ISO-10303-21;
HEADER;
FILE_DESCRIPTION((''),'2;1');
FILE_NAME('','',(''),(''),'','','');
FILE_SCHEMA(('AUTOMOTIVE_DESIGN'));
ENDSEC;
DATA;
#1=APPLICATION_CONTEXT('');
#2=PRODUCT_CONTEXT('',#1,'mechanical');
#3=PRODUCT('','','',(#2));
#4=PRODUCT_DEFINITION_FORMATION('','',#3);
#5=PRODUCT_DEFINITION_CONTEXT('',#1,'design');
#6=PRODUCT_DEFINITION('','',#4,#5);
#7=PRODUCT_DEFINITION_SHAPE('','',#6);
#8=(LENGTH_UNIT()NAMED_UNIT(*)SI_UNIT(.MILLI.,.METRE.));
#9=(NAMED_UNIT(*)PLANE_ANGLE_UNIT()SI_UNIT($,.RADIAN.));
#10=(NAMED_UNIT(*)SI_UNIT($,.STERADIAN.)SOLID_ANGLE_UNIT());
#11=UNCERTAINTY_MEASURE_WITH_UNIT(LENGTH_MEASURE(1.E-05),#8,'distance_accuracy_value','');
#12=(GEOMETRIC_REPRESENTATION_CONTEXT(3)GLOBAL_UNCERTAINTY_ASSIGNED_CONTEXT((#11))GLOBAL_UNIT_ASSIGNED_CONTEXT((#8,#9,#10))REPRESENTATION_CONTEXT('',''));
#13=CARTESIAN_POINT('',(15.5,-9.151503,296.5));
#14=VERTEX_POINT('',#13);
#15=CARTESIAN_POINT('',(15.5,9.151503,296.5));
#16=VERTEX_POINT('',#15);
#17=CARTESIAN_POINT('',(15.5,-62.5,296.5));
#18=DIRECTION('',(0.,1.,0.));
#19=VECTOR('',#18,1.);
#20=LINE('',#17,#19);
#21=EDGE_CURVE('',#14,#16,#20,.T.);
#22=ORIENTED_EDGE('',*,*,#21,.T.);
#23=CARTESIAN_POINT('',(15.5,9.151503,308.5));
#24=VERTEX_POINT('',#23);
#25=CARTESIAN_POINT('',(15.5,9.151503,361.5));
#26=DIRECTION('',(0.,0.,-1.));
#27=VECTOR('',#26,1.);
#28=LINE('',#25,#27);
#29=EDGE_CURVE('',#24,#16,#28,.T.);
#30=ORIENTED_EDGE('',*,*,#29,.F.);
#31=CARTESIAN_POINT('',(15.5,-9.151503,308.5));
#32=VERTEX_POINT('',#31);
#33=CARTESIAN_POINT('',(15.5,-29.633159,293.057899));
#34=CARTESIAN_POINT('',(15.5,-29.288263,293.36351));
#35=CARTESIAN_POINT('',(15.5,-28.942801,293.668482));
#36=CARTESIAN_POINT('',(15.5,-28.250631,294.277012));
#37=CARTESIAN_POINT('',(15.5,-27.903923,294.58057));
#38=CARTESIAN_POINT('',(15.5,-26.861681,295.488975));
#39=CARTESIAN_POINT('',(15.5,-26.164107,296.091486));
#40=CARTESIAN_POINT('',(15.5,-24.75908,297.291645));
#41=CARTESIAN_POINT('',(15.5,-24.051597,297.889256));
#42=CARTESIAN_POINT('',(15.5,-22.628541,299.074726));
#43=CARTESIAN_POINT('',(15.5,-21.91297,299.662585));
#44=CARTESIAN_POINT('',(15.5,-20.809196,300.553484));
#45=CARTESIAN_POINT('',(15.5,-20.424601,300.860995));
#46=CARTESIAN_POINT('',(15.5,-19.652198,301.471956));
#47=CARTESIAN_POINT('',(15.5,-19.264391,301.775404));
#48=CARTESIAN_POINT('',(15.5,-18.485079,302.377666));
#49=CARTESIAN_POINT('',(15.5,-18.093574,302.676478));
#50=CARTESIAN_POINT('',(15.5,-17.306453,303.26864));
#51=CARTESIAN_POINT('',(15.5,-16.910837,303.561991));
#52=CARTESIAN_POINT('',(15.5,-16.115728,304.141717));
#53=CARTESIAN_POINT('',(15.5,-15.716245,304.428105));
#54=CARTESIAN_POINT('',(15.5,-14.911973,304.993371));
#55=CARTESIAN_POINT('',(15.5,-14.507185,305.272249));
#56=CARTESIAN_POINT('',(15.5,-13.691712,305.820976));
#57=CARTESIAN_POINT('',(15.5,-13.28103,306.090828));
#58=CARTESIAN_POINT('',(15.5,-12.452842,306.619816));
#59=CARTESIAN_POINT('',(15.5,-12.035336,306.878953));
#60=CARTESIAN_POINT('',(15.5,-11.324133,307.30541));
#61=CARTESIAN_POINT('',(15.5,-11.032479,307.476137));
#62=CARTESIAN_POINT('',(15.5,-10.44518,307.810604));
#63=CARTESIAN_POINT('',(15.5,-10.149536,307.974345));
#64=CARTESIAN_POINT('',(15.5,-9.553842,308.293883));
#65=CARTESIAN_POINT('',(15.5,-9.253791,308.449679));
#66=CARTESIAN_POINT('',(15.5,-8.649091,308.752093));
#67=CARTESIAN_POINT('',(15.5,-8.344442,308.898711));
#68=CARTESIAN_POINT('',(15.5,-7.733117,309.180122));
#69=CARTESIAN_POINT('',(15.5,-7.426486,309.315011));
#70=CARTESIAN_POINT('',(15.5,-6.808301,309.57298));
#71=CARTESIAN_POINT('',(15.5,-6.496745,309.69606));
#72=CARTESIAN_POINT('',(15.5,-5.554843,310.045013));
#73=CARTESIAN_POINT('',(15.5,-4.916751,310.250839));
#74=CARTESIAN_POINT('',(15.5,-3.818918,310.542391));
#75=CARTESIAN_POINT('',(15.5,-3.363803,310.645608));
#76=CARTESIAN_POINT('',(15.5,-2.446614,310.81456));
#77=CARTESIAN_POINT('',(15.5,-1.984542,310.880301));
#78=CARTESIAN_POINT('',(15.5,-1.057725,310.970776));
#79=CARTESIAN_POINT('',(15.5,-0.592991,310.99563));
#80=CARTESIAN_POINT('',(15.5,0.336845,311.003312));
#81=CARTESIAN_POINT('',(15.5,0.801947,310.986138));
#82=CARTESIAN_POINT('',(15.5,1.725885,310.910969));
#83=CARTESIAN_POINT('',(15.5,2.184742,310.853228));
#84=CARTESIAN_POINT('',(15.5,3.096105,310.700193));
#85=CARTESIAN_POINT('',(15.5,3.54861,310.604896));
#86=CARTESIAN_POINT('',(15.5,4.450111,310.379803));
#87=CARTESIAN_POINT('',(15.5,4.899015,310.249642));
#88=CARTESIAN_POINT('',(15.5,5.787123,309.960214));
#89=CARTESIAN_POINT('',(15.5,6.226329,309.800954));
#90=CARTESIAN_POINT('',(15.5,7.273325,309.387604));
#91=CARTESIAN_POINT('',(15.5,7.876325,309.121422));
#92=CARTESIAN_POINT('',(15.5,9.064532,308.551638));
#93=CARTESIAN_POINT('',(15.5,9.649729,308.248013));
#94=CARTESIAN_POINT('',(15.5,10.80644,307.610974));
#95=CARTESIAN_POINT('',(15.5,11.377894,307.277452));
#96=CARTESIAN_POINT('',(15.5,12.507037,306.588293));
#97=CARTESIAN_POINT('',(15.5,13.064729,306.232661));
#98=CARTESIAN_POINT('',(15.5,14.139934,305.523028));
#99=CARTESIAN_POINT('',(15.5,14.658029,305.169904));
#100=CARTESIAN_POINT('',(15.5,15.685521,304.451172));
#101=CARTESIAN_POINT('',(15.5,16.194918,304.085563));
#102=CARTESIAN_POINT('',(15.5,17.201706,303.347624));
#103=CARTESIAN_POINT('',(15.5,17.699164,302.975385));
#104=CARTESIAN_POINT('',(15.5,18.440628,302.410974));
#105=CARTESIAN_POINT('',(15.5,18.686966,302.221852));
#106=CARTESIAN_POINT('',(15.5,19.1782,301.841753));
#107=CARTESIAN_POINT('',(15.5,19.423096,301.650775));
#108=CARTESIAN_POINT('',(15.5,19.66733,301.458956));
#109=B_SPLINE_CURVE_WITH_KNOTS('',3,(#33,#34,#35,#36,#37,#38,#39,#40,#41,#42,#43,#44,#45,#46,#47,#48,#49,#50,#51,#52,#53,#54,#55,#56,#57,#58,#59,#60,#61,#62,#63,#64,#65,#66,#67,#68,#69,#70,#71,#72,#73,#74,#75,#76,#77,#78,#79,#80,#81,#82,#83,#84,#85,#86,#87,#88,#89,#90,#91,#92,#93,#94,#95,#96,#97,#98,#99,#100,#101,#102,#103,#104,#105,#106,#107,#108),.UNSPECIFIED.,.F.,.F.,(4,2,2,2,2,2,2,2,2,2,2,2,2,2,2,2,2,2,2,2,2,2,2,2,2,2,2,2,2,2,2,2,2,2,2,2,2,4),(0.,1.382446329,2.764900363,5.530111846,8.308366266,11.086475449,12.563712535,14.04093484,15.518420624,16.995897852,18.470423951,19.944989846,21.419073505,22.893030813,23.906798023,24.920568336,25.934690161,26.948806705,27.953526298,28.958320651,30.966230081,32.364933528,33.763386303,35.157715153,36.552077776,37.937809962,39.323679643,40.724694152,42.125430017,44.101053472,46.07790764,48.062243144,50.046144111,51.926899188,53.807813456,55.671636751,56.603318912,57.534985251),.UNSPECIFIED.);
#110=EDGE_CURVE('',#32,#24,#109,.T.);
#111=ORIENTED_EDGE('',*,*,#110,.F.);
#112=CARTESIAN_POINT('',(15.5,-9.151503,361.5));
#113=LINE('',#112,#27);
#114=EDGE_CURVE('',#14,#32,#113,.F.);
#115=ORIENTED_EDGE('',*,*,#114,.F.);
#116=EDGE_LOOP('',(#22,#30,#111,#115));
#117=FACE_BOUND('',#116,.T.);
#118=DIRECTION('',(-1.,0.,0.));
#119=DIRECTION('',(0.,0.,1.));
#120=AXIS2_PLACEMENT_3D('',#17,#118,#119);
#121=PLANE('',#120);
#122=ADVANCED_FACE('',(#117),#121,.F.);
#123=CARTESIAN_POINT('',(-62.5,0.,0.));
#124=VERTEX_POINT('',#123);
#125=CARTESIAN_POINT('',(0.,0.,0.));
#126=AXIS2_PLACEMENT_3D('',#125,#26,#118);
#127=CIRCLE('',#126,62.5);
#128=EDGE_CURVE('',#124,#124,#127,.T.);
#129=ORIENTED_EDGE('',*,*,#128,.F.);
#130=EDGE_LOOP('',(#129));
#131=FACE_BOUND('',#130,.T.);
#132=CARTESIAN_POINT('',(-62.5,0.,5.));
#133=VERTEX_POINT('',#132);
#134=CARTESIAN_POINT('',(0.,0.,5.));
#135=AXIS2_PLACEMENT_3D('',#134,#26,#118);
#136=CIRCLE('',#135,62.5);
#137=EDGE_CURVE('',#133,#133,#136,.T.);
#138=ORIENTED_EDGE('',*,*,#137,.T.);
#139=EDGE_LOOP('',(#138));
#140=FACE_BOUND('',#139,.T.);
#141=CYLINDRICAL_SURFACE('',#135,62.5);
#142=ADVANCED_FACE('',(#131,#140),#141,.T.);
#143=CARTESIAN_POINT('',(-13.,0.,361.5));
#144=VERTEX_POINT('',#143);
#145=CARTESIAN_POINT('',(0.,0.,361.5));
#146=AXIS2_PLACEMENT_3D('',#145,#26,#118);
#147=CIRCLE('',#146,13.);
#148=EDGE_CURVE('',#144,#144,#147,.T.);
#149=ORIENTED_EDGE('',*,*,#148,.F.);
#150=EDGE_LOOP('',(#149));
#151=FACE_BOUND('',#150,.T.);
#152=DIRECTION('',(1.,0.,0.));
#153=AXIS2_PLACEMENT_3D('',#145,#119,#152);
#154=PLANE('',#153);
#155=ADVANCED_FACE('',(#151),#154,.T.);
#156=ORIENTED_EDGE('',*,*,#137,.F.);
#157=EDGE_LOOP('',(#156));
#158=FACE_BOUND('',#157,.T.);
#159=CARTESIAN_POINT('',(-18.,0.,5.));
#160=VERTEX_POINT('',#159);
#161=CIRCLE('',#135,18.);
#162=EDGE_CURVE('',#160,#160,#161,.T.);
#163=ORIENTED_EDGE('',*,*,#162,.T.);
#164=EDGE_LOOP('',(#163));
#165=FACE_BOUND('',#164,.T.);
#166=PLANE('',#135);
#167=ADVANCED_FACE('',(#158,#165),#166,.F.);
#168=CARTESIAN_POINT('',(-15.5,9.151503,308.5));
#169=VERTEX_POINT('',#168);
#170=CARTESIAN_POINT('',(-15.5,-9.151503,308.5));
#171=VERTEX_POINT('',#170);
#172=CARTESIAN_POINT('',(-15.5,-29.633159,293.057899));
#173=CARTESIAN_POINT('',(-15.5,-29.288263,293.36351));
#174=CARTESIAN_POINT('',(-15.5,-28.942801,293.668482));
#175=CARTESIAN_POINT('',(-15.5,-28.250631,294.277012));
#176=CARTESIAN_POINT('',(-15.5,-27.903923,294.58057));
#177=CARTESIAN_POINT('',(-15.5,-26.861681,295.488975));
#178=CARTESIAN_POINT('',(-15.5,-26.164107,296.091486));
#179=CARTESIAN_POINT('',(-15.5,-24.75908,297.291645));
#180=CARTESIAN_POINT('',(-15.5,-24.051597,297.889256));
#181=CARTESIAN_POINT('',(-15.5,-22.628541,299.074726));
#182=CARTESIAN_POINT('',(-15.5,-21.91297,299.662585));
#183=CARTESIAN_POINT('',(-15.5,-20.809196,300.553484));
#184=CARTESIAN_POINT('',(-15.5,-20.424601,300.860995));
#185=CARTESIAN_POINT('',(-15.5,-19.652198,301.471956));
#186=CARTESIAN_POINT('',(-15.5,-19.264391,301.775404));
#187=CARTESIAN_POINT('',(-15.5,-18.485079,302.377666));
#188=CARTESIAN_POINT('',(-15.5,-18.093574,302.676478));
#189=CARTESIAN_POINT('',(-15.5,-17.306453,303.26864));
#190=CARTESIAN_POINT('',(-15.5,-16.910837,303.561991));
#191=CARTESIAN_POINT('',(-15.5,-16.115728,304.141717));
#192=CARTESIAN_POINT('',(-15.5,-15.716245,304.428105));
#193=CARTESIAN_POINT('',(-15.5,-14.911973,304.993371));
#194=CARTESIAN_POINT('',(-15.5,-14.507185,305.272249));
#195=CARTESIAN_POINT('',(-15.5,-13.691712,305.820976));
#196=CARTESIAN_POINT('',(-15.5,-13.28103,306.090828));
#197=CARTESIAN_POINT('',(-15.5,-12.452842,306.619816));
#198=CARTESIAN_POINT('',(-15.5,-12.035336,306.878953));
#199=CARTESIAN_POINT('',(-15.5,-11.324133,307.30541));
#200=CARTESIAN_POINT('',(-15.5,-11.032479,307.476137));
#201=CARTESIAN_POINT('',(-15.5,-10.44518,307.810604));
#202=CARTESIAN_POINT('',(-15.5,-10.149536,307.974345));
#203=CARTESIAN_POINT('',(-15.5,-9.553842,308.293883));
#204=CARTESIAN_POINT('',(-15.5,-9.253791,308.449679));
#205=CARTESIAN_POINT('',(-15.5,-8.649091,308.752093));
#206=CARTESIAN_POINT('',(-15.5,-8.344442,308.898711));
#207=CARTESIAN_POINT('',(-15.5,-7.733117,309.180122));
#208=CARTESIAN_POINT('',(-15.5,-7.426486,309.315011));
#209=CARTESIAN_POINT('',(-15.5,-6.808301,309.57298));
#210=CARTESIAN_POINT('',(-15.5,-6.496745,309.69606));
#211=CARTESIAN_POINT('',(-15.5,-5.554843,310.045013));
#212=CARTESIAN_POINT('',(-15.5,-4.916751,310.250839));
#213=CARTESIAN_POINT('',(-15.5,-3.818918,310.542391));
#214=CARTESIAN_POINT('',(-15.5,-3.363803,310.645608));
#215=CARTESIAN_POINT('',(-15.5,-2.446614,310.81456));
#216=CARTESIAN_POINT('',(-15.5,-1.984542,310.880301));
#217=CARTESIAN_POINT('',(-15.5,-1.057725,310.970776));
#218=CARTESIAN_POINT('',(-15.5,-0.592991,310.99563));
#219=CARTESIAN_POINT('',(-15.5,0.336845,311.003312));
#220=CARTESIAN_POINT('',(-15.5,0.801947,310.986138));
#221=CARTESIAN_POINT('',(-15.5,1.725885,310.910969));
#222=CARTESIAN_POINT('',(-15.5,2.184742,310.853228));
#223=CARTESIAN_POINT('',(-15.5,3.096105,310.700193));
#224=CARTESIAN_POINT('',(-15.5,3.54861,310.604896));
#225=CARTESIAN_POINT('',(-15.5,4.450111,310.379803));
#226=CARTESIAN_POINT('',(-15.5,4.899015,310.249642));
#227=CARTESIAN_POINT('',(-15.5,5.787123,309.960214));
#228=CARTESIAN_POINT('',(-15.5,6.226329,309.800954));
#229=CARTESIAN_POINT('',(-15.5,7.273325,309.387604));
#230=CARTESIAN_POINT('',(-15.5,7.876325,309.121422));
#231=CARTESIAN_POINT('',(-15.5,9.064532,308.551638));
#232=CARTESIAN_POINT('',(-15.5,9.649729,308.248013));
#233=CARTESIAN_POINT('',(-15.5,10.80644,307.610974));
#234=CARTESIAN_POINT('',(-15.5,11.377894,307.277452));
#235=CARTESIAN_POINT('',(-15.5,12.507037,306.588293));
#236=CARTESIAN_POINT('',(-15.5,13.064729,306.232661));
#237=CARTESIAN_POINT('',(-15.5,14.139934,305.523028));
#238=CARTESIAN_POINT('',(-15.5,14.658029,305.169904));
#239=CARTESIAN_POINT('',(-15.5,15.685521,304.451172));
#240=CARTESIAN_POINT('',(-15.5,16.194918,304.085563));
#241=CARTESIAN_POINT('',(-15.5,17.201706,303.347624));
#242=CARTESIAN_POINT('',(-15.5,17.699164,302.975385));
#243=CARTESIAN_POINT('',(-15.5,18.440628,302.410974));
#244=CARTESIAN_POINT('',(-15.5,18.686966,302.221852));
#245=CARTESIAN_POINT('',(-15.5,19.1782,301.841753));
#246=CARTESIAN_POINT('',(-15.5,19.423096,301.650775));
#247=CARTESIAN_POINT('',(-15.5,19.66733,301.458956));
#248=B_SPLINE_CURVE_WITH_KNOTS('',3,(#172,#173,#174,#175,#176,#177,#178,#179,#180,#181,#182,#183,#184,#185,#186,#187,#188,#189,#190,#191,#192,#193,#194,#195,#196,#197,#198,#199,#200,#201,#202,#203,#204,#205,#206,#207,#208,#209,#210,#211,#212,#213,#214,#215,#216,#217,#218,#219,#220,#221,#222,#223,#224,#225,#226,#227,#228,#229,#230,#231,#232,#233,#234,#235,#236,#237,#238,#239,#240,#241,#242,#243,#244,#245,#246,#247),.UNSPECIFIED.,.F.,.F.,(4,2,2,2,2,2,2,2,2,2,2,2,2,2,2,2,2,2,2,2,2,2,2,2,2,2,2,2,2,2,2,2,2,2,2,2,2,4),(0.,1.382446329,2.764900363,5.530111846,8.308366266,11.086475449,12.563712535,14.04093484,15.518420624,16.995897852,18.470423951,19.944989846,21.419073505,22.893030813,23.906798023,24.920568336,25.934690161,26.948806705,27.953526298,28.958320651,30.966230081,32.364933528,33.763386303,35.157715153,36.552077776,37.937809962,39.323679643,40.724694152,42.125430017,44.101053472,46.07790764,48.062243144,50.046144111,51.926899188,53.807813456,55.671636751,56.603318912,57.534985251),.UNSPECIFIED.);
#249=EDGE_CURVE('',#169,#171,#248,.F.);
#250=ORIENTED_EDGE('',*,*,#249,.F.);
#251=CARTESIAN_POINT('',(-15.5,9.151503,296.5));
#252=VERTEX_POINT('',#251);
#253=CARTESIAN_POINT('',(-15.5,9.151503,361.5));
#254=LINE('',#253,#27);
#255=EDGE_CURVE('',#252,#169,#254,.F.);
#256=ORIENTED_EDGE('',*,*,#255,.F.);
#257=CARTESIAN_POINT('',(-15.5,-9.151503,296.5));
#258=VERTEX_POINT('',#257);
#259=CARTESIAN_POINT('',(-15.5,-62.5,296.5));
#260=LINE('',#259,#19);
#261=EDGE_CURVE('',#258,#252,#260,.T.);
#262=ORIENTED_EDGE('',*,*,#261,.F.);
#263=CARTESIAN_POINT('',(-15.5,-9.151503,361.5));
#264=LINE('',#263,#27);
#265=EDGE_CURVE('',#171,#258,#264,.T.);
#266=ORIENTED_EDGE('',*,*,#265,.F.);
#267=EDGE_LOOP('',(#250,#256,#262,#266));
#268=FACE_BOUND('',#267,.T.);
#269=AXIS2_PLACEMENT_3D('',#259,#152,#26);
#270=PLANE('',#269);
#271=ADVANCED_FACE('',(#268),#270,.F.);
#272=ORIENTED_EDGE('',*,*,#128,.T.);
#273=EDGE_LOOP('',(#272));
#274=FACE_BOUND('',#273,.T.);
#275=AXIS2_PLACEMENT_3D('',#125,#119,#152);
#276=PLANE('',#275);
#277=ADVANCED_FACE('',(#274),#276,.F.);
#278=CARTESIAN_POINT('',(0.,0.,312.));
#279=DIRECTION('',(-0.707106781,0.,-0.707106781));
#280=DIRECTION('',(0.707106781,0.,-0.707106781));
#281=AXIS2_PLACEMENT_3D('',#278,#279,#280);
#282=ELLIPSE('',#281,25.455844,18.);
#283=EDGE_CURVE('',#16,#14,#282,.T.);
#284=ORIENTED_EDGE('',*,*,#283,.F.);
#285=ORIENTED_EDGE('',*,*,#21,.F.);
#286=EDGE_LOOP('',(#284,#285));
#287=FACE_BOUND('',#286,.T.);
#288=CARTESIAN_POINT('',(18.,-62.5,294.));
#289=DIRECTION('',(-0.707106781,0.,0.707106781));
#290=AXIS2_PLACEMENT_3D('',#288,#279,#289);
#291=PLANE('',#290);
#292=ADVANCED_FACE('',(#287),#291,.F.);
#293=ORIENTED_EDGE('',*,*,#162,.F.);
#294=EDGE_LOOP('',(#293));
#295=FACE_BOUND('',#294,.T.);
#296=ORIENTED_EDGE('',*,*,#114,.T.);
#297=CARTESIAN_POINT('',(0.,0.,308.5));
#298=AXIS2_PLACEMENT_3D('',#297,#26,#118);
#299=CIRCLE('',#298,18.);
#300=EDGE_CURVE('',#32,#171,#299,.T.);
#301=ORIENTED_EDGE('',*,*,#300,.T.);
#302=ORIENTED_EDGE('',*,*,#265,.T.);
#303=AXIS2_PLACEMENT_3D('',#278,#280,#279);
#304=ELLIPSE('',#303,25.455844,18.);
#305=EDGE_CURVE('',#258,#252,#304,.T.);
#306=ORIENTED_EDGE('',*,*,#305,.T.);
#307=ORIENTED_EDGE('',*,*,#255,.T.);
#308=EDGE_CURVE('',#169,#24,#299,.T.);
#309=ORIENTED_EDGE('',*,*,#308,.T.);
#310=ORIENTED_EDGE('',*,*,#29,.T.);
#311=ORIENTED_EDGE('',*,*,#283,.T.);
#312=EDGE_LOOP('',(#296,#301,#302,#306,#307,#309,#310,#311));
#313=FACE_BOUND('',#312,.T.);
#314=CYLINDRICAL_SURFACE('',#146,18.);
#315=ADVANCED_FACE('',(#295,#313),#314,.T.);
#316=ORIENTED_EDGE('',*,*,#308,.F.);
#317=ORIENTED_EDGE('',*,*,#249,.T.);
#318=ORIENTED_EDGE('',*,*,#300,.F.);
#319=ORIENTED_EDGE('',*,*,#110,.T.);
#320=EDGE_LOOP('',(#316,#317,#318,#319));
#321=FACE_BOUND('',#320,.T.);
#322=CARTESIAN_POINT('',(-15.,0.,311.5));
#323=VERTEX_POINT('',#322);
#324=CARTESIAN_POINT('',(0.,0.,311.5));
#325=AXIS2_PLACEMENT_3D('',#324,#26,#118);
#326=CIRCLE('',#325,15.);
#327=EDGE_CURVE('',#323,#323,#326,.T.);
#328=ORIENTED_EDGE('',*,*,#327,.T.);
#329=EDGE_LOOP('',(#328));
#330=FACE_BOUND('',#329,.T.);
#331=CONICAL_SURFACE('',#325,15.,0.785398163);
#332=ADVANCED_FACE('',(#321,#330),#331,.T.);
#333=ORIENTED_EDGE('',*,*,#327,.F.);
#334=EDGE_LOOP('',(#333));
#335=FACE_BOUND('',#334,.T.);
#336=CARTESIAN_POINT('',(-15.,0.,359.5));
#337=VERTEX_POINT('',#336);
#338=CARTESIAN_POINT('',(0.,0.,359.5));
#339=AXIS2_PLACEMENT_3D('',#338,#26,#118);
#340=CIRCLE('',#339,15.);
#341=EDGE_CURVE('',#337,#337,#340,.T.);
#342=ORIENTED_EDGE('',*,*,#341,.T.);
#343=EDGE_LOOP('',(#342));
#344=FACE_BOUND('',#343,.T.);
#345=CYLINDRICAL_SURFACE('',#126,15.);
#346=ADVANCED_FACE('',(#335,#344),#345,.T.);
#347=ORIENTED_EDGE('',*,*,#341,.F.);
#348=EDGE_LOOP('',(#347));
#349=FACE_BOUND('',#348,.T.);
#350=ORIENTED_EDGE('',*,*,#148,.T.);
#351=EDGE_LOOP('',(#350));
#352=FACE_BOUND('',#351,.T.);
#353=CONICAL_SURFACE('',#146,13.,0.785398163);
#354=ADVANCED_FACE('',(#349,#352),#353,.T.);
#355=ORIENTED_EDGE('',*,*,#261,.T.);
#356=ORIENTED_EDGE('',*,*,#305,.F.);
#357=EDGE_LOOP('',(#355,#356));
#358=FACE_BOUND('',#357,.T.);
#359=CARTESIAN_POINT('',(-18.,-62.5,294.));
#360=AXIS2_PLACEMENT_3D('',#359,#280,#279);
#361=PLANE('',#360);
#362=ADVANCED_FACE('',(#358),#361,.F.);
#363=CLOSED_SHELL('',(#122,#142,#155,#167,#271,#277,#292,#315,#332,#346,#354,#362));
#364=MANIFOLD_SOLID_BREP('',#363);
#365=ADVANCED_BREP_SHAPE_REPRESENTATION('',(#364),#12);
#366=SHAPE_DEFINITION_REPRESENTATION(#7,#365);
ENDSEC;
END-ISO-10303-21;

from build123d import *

# Parameters (mm, degrees)
SKETCH1_R          = 18
BASE_EXTRUDE_DEPTH = 361.5
SKETCH2_R          = 62.5
PISTON_DEPTH       = 5
FLATS_DEPTH        = 373.148827756
FLATS_DEPTH_BACK   = 373.148827756


with BuildPart() as part:
    # Sketch1 → Base-Extrude (new body)
    with BuildSketch(Plane.XY):
        Circle(SKETCH1_R)
    extrude(amount=BASE_EXTRUDE_DEPTH)

    # Sketch2 → Piston (add)
    with BuildSketch(Plane(origin=(0, 0, 0), x_dir=(-1, 0, 0), z_dir=(0, 0, -1))):
        Circle(SKETCH2_R)
    extrude(amount=-PISTON_DEPTH)

    # Sketch3 → Thread (revolve, cut)
    with BuildSketch(Plane(origin=(0, 0, 0), x_dir=(0, 0, -1), z_dir=(1, 0, 0)), mode=Mode.PRIVATE) as thread_sk:
        Polygon((-361.5, 18), (-361.5, 13), (-359.5, 15), (-311.5, 15), (-308.5, 18), align=None)
    revolve(thread_sk.sketch.rotate(Axis((0, 0, 0), (0, 0, 1)), 90), axis=Axis((0, 0, 0), (0, 0, 1)), mode=Mode.SUBTRACT)

    # Sketch4 → Flats (cut, two sides: drawn at the far end of the back side and taken through both)
    with BuildSketch(Plane(origin=(0, 0, 0), x_dir=(1, 0, 0), z_dir=(0, 1, 0)).offset(-FLATS_DEPTH_BACK)):
        Polygon((18, -294), (15.5, -296.5), (15.5, -361.5), (18, -361.5), align=None)
        Polygon((-18, -361.5), (-18, -294), (-15.5, -296.5), (-15.5, -361.5), align=None)
    extrude(amount=FLATS_DEPTH + FLATS_DEPTH_BACK, mode=Mode.SUBTRACT)


solid = part.part
